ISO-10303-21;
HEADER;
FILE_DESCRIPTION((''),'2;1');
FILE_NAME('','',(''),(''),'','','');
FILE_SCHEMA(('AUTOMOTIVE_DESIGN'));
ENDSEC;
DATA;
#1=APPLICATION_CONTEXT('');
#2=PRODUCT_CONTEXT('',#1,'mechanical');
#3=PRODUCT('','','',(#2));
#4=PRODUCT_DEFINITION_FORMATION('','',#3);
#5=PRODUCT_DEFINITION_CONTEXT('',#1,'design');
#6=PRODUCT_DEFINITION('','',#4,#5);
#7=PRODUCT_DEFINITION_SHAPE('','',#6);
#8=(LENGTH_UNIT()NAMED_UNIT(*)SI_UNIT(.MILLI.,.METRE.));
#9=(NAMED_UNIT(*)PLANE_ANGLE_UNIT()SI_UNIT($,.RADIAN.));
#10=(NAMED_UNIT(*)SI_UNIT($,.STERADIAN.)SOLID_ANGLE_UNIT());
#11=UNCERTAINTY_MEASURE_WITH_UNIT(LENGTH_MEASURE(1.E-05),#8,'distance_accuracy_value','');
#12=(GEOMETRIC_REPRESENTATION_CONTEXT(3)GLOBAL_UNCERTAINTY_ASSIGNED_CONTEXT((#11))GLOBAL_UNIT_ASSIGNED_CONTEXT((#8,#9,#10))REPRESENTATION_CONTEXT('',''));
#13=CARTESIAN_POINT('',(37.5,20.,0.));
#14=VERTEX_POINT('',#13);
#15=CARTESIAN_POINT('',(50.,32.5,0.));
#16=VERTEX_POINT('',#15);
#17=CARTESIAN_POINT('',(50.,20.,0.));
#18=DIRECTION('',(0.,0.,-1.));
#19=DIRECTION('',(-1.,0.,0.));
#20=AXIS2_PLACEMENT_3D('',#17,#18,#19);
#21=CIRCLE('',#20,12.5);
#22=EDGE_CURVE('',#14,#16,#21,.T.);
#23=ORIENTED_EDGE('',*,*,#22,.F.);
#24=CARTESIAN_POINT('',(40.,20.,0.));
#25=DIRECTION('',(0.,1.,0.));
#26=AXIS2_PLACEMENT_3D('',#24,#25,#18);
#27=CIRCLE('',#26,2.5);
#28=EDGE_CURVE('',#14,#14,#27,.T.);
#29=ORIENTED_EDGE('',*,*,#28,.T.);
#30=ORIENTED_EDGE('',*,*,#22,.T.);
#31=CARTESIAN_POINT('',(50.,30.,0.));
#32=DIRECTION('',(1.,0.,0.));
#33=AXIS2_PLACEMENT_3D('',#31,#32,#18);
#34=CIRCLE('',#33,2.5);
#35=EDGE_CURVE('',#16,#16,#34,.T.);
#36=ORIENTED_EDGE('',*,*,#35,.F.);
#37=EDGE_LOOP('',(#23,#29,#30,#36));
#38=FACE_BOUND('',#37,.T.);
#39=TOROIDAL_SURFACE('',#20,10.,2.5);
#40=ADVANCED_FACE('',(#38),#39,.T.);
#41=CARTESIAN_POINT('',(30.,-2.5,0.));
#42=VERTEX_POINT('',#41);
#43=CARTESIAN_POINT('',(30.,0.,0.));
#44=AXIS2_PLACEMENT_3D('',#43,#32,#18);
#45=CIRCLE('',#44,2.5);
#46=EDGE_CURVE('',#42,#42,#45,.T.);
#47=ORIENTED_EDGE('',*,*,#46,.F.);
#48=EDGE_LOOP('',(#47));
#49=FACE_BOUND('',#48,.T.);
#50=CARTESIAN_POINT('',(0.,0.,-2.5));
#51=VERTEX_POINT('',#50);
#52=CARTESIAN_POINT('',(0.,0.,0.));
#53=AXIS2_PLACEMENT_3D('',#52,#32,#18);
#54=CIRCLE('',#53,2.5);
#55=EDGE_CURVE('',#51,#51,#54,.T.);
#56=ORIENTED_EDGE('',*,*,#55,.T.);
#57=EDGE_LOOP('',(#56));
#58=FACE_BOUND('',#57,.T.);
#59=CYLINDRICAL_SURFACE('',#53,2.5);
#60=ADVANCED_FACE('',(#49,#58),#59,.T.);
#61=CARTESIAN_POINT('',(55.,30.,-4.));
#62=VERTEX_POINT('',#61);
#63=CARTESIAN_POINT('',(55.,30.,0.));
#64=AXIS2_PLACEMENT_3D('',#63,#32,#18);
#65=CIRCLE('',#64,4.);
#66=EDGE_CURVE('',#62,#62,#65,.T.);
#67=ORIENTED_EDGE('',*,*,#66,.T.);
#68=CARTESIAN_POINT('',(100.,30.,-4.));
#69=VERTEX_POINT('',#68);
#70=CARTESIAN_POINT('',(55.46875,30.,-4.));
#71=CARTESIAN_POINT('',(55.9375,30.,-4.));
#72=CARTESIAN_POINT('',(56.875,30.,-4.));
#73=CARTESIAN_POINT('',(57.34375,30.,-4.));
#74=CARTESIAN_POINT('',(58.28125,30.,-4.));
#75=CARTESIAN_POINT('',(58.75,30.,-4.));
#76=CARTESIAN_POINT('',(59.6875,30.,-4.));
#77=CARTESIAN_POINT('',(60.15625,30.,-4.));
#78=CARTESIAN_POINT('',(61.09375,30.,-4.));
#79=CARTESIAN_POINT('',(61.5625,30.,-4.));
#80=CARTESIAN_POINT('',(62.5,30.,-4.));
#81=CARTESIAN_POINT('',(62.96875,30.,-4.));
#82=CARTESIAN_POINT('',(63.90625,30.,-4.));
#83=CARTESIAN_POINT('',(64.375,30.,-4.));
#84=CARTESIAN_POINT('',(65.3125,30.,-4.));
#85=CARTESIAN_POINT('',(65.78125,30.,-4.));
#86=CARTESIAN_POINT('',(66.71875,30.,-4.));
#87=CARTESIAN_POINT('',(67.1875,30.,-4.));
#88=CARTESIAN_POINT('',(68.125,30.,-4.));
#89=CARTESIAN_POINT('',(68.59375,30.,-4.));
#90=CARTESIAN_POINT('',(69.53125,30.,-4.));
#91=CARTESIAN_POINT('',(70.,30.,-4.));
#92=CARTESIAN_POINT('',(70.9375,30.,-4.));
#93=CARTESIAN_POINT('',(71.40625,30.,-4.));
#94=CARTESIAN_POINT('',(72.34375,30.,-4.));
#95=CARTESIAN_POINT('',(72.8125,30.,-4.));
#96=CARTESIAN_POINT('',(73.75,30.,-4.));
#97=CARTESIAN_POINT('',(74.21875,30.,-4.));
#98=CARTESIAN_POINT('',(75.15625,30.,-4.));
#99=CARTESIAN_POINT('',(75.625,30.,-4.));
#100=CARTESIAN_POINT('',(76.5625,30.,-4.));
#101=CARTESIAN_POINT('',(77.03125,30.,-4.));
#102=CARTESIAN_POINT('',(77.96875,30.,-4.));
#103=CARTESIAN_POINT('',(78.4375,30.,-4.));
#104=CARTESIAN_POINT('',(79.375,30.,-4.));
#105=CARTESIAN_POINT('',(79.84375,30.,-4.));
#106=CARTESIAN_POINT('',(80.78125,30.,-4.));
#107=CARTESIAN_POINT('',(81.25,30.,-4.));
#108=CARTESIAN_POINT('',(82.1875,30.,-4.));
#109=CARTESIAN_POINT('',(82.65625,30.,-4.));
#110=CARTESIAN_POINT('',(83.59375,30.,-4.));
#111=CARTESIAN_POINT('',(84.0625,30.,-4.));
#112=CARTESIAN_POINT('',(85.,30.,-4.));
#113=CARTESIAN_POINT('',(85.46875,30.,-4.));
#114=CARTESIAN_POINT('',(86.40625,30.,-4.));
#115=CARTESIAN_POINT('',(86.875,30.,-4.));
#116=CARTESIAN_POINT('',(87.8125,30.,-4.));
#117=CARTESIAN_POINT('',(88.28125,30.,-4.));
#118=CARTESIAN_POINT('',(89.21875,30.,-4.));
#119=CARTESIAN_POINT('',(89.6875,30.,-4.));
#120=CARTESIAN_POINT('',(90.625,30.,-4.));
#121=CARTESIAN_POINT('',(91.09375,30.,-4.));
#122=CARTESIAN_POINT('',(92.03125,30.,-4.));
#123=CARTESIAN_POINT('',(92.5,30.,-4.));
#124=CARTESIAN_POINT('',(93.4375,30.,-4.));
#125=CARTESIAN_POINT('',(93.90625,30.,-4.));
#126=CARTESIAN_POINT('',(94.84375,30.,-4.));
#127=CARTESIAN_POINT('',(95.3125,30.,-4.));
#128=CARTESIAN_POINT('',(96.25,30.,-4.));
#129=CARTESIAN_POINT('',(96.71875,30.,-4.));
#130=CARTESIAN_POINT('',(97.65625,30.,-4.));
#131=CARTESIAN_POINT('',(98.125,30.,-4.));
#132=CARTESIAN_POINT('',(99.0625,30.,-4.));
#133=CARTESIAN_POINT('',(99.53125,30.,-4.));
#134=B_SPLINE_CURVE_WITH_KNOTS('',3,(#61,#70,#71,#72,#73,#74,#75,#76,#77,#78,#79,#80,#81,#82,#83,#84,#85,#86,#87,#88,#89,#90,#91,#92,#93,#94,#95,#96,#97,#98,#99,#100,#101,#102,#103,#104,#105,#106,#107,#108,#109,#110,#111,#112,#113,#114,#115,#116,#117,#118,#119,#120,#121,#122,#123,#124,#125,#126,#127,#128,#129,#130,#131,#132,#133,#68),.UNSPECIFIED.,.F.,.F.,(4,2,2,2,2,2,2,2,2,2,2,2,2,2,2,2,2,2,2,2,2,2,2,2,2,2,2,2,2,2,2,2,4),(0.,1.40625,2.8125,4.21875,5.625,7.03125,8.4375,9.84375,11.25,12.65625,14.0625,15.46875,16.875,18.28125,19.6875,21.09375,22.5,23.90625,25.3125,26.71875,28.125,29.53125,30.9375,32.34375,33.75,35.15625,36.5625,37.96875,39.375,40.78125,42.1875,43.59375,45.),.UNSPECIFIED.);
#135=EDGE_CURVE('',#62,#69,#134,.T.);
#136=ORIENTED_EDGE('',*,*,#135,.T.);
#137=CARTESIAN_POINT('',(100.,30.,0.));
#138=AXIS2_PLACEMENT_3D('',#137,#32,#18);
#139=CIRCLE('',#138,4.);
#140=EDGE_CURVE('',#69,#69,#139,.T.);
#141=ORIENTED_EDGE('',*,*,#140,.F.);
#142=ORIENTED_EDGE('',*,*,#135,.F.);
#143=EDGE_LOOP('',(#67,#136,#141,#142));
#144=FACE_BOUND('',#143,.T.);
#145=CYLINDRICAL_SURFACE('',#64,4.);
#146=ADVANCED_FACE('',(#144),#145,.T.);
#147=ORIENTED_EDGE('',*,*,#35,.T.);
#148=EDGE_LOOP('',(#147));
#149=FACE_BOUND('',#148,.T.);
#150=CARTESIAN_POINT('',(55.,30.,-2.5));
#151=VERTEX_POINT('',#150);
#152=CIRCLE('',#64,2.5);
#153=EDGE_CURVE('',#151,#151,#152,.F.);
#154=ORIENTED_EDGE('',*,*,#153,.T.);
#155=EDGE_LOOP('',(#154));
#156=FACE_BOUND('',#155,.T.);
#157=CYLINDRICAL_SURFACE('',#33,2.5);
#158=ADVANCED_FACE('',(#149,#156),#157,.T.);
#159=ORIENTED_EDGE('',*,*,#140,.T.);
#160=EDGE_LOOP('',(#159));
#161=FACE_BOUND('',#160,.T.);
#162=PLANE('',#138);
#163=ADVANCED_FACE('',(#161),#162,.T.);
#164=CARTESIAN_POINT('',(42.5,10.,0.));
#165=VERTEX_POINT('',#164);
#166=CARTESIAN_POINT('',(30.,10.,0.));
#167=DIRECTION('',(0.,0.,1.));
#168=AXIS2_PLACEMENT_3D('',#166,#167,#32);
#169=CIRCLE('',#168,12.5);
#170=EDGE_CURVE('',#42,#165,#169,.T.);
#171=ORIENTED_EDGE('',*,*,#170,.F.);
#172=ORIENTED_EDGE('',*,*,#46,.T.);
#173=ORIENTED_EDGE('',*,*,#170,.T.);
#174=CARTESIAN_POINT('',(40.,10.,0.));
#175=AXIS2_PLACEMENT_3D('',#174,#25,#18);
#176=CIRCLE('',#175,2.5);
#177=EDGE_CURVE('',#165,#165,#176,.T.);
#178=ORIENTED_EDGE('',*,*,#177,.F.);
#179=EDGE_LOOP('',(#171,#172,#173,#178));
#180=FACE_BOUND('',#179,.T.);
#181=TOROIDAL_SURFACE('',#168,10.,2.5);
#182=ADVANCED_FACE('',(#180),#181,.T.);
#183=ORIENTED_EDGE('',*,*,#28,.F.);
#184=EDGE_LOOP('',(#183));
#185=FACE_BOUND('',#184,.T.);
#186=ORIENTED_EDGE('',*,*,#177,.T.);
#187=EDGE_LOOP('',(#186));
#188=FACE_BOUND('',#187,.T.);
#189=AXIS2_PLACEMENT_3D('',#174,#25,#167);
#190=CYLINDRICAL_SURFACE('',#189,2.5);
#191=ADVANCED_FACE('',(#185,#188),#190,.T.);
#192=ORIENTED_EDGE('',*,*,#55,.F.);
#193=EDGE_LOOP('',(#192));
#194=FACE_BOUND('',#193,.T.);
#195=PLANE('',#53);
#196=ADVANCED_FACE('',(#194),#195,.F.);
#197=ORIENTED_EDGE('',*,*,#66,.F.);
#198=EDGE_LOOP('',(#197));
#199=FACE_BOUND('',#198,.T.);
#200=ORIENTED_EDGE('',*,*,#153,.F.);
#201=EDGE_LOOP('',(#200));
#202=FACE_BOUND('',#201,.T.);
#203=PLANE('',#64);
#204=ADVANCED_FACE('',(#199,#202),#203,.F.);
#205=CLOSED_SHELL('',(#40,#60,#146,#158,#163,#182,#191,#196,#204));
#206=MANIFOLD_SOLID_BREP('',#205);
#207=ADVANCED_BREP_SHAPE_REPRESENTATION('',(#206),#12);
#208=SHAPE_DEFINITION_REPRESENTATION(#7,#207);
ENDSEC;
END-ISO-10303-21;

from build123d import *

# Parameters (mm, degrees)
ESQUISSE2_R        = 2.5
ESQUISSE3_R        = 4
BOSS_EXTRU_1_DEPTH = 45


with BuildPart() as part:
    # Balayage1: sweep along a path in Esquisse1
    with BuildLine(Plane.XY) as balayage1_path:
        Line((0, 0), (30, 0))
        ThreePointArc((30, 0), (37.071067812, 2.928932188), (40, 10))
        Line((40, 10), (40, 20))
        ThreePointArc((40, 20), (42.928932188, 27.071067812), (50, 30))
        Line((50, 30), (100, 30))
    # Esquisse2 → Balayage1 (sweep)
    with BuildSketch(Plane(origin=(100, 0, 0), x_dir=(0, 0, -1), z_dir=(1, 0, 0))):
        with Locations((0, 30)):
            Circle(ESQUISSE2_R)
    sweep(path=balayage1_path.line)

    # Esquisse3 → Boss.-Extru.1 (add)
    with BuildSketch(Plane(origin=(100, 0, 0), x_dir=(0, 0, -1), z_dir=(1, 0, 0))):
        with Locations((0, 30)):
            Circle(ESQUISSE3_R)
    extrude(amount=-BOSS_EXTRU_1_DEPTH)


solid = part.part
